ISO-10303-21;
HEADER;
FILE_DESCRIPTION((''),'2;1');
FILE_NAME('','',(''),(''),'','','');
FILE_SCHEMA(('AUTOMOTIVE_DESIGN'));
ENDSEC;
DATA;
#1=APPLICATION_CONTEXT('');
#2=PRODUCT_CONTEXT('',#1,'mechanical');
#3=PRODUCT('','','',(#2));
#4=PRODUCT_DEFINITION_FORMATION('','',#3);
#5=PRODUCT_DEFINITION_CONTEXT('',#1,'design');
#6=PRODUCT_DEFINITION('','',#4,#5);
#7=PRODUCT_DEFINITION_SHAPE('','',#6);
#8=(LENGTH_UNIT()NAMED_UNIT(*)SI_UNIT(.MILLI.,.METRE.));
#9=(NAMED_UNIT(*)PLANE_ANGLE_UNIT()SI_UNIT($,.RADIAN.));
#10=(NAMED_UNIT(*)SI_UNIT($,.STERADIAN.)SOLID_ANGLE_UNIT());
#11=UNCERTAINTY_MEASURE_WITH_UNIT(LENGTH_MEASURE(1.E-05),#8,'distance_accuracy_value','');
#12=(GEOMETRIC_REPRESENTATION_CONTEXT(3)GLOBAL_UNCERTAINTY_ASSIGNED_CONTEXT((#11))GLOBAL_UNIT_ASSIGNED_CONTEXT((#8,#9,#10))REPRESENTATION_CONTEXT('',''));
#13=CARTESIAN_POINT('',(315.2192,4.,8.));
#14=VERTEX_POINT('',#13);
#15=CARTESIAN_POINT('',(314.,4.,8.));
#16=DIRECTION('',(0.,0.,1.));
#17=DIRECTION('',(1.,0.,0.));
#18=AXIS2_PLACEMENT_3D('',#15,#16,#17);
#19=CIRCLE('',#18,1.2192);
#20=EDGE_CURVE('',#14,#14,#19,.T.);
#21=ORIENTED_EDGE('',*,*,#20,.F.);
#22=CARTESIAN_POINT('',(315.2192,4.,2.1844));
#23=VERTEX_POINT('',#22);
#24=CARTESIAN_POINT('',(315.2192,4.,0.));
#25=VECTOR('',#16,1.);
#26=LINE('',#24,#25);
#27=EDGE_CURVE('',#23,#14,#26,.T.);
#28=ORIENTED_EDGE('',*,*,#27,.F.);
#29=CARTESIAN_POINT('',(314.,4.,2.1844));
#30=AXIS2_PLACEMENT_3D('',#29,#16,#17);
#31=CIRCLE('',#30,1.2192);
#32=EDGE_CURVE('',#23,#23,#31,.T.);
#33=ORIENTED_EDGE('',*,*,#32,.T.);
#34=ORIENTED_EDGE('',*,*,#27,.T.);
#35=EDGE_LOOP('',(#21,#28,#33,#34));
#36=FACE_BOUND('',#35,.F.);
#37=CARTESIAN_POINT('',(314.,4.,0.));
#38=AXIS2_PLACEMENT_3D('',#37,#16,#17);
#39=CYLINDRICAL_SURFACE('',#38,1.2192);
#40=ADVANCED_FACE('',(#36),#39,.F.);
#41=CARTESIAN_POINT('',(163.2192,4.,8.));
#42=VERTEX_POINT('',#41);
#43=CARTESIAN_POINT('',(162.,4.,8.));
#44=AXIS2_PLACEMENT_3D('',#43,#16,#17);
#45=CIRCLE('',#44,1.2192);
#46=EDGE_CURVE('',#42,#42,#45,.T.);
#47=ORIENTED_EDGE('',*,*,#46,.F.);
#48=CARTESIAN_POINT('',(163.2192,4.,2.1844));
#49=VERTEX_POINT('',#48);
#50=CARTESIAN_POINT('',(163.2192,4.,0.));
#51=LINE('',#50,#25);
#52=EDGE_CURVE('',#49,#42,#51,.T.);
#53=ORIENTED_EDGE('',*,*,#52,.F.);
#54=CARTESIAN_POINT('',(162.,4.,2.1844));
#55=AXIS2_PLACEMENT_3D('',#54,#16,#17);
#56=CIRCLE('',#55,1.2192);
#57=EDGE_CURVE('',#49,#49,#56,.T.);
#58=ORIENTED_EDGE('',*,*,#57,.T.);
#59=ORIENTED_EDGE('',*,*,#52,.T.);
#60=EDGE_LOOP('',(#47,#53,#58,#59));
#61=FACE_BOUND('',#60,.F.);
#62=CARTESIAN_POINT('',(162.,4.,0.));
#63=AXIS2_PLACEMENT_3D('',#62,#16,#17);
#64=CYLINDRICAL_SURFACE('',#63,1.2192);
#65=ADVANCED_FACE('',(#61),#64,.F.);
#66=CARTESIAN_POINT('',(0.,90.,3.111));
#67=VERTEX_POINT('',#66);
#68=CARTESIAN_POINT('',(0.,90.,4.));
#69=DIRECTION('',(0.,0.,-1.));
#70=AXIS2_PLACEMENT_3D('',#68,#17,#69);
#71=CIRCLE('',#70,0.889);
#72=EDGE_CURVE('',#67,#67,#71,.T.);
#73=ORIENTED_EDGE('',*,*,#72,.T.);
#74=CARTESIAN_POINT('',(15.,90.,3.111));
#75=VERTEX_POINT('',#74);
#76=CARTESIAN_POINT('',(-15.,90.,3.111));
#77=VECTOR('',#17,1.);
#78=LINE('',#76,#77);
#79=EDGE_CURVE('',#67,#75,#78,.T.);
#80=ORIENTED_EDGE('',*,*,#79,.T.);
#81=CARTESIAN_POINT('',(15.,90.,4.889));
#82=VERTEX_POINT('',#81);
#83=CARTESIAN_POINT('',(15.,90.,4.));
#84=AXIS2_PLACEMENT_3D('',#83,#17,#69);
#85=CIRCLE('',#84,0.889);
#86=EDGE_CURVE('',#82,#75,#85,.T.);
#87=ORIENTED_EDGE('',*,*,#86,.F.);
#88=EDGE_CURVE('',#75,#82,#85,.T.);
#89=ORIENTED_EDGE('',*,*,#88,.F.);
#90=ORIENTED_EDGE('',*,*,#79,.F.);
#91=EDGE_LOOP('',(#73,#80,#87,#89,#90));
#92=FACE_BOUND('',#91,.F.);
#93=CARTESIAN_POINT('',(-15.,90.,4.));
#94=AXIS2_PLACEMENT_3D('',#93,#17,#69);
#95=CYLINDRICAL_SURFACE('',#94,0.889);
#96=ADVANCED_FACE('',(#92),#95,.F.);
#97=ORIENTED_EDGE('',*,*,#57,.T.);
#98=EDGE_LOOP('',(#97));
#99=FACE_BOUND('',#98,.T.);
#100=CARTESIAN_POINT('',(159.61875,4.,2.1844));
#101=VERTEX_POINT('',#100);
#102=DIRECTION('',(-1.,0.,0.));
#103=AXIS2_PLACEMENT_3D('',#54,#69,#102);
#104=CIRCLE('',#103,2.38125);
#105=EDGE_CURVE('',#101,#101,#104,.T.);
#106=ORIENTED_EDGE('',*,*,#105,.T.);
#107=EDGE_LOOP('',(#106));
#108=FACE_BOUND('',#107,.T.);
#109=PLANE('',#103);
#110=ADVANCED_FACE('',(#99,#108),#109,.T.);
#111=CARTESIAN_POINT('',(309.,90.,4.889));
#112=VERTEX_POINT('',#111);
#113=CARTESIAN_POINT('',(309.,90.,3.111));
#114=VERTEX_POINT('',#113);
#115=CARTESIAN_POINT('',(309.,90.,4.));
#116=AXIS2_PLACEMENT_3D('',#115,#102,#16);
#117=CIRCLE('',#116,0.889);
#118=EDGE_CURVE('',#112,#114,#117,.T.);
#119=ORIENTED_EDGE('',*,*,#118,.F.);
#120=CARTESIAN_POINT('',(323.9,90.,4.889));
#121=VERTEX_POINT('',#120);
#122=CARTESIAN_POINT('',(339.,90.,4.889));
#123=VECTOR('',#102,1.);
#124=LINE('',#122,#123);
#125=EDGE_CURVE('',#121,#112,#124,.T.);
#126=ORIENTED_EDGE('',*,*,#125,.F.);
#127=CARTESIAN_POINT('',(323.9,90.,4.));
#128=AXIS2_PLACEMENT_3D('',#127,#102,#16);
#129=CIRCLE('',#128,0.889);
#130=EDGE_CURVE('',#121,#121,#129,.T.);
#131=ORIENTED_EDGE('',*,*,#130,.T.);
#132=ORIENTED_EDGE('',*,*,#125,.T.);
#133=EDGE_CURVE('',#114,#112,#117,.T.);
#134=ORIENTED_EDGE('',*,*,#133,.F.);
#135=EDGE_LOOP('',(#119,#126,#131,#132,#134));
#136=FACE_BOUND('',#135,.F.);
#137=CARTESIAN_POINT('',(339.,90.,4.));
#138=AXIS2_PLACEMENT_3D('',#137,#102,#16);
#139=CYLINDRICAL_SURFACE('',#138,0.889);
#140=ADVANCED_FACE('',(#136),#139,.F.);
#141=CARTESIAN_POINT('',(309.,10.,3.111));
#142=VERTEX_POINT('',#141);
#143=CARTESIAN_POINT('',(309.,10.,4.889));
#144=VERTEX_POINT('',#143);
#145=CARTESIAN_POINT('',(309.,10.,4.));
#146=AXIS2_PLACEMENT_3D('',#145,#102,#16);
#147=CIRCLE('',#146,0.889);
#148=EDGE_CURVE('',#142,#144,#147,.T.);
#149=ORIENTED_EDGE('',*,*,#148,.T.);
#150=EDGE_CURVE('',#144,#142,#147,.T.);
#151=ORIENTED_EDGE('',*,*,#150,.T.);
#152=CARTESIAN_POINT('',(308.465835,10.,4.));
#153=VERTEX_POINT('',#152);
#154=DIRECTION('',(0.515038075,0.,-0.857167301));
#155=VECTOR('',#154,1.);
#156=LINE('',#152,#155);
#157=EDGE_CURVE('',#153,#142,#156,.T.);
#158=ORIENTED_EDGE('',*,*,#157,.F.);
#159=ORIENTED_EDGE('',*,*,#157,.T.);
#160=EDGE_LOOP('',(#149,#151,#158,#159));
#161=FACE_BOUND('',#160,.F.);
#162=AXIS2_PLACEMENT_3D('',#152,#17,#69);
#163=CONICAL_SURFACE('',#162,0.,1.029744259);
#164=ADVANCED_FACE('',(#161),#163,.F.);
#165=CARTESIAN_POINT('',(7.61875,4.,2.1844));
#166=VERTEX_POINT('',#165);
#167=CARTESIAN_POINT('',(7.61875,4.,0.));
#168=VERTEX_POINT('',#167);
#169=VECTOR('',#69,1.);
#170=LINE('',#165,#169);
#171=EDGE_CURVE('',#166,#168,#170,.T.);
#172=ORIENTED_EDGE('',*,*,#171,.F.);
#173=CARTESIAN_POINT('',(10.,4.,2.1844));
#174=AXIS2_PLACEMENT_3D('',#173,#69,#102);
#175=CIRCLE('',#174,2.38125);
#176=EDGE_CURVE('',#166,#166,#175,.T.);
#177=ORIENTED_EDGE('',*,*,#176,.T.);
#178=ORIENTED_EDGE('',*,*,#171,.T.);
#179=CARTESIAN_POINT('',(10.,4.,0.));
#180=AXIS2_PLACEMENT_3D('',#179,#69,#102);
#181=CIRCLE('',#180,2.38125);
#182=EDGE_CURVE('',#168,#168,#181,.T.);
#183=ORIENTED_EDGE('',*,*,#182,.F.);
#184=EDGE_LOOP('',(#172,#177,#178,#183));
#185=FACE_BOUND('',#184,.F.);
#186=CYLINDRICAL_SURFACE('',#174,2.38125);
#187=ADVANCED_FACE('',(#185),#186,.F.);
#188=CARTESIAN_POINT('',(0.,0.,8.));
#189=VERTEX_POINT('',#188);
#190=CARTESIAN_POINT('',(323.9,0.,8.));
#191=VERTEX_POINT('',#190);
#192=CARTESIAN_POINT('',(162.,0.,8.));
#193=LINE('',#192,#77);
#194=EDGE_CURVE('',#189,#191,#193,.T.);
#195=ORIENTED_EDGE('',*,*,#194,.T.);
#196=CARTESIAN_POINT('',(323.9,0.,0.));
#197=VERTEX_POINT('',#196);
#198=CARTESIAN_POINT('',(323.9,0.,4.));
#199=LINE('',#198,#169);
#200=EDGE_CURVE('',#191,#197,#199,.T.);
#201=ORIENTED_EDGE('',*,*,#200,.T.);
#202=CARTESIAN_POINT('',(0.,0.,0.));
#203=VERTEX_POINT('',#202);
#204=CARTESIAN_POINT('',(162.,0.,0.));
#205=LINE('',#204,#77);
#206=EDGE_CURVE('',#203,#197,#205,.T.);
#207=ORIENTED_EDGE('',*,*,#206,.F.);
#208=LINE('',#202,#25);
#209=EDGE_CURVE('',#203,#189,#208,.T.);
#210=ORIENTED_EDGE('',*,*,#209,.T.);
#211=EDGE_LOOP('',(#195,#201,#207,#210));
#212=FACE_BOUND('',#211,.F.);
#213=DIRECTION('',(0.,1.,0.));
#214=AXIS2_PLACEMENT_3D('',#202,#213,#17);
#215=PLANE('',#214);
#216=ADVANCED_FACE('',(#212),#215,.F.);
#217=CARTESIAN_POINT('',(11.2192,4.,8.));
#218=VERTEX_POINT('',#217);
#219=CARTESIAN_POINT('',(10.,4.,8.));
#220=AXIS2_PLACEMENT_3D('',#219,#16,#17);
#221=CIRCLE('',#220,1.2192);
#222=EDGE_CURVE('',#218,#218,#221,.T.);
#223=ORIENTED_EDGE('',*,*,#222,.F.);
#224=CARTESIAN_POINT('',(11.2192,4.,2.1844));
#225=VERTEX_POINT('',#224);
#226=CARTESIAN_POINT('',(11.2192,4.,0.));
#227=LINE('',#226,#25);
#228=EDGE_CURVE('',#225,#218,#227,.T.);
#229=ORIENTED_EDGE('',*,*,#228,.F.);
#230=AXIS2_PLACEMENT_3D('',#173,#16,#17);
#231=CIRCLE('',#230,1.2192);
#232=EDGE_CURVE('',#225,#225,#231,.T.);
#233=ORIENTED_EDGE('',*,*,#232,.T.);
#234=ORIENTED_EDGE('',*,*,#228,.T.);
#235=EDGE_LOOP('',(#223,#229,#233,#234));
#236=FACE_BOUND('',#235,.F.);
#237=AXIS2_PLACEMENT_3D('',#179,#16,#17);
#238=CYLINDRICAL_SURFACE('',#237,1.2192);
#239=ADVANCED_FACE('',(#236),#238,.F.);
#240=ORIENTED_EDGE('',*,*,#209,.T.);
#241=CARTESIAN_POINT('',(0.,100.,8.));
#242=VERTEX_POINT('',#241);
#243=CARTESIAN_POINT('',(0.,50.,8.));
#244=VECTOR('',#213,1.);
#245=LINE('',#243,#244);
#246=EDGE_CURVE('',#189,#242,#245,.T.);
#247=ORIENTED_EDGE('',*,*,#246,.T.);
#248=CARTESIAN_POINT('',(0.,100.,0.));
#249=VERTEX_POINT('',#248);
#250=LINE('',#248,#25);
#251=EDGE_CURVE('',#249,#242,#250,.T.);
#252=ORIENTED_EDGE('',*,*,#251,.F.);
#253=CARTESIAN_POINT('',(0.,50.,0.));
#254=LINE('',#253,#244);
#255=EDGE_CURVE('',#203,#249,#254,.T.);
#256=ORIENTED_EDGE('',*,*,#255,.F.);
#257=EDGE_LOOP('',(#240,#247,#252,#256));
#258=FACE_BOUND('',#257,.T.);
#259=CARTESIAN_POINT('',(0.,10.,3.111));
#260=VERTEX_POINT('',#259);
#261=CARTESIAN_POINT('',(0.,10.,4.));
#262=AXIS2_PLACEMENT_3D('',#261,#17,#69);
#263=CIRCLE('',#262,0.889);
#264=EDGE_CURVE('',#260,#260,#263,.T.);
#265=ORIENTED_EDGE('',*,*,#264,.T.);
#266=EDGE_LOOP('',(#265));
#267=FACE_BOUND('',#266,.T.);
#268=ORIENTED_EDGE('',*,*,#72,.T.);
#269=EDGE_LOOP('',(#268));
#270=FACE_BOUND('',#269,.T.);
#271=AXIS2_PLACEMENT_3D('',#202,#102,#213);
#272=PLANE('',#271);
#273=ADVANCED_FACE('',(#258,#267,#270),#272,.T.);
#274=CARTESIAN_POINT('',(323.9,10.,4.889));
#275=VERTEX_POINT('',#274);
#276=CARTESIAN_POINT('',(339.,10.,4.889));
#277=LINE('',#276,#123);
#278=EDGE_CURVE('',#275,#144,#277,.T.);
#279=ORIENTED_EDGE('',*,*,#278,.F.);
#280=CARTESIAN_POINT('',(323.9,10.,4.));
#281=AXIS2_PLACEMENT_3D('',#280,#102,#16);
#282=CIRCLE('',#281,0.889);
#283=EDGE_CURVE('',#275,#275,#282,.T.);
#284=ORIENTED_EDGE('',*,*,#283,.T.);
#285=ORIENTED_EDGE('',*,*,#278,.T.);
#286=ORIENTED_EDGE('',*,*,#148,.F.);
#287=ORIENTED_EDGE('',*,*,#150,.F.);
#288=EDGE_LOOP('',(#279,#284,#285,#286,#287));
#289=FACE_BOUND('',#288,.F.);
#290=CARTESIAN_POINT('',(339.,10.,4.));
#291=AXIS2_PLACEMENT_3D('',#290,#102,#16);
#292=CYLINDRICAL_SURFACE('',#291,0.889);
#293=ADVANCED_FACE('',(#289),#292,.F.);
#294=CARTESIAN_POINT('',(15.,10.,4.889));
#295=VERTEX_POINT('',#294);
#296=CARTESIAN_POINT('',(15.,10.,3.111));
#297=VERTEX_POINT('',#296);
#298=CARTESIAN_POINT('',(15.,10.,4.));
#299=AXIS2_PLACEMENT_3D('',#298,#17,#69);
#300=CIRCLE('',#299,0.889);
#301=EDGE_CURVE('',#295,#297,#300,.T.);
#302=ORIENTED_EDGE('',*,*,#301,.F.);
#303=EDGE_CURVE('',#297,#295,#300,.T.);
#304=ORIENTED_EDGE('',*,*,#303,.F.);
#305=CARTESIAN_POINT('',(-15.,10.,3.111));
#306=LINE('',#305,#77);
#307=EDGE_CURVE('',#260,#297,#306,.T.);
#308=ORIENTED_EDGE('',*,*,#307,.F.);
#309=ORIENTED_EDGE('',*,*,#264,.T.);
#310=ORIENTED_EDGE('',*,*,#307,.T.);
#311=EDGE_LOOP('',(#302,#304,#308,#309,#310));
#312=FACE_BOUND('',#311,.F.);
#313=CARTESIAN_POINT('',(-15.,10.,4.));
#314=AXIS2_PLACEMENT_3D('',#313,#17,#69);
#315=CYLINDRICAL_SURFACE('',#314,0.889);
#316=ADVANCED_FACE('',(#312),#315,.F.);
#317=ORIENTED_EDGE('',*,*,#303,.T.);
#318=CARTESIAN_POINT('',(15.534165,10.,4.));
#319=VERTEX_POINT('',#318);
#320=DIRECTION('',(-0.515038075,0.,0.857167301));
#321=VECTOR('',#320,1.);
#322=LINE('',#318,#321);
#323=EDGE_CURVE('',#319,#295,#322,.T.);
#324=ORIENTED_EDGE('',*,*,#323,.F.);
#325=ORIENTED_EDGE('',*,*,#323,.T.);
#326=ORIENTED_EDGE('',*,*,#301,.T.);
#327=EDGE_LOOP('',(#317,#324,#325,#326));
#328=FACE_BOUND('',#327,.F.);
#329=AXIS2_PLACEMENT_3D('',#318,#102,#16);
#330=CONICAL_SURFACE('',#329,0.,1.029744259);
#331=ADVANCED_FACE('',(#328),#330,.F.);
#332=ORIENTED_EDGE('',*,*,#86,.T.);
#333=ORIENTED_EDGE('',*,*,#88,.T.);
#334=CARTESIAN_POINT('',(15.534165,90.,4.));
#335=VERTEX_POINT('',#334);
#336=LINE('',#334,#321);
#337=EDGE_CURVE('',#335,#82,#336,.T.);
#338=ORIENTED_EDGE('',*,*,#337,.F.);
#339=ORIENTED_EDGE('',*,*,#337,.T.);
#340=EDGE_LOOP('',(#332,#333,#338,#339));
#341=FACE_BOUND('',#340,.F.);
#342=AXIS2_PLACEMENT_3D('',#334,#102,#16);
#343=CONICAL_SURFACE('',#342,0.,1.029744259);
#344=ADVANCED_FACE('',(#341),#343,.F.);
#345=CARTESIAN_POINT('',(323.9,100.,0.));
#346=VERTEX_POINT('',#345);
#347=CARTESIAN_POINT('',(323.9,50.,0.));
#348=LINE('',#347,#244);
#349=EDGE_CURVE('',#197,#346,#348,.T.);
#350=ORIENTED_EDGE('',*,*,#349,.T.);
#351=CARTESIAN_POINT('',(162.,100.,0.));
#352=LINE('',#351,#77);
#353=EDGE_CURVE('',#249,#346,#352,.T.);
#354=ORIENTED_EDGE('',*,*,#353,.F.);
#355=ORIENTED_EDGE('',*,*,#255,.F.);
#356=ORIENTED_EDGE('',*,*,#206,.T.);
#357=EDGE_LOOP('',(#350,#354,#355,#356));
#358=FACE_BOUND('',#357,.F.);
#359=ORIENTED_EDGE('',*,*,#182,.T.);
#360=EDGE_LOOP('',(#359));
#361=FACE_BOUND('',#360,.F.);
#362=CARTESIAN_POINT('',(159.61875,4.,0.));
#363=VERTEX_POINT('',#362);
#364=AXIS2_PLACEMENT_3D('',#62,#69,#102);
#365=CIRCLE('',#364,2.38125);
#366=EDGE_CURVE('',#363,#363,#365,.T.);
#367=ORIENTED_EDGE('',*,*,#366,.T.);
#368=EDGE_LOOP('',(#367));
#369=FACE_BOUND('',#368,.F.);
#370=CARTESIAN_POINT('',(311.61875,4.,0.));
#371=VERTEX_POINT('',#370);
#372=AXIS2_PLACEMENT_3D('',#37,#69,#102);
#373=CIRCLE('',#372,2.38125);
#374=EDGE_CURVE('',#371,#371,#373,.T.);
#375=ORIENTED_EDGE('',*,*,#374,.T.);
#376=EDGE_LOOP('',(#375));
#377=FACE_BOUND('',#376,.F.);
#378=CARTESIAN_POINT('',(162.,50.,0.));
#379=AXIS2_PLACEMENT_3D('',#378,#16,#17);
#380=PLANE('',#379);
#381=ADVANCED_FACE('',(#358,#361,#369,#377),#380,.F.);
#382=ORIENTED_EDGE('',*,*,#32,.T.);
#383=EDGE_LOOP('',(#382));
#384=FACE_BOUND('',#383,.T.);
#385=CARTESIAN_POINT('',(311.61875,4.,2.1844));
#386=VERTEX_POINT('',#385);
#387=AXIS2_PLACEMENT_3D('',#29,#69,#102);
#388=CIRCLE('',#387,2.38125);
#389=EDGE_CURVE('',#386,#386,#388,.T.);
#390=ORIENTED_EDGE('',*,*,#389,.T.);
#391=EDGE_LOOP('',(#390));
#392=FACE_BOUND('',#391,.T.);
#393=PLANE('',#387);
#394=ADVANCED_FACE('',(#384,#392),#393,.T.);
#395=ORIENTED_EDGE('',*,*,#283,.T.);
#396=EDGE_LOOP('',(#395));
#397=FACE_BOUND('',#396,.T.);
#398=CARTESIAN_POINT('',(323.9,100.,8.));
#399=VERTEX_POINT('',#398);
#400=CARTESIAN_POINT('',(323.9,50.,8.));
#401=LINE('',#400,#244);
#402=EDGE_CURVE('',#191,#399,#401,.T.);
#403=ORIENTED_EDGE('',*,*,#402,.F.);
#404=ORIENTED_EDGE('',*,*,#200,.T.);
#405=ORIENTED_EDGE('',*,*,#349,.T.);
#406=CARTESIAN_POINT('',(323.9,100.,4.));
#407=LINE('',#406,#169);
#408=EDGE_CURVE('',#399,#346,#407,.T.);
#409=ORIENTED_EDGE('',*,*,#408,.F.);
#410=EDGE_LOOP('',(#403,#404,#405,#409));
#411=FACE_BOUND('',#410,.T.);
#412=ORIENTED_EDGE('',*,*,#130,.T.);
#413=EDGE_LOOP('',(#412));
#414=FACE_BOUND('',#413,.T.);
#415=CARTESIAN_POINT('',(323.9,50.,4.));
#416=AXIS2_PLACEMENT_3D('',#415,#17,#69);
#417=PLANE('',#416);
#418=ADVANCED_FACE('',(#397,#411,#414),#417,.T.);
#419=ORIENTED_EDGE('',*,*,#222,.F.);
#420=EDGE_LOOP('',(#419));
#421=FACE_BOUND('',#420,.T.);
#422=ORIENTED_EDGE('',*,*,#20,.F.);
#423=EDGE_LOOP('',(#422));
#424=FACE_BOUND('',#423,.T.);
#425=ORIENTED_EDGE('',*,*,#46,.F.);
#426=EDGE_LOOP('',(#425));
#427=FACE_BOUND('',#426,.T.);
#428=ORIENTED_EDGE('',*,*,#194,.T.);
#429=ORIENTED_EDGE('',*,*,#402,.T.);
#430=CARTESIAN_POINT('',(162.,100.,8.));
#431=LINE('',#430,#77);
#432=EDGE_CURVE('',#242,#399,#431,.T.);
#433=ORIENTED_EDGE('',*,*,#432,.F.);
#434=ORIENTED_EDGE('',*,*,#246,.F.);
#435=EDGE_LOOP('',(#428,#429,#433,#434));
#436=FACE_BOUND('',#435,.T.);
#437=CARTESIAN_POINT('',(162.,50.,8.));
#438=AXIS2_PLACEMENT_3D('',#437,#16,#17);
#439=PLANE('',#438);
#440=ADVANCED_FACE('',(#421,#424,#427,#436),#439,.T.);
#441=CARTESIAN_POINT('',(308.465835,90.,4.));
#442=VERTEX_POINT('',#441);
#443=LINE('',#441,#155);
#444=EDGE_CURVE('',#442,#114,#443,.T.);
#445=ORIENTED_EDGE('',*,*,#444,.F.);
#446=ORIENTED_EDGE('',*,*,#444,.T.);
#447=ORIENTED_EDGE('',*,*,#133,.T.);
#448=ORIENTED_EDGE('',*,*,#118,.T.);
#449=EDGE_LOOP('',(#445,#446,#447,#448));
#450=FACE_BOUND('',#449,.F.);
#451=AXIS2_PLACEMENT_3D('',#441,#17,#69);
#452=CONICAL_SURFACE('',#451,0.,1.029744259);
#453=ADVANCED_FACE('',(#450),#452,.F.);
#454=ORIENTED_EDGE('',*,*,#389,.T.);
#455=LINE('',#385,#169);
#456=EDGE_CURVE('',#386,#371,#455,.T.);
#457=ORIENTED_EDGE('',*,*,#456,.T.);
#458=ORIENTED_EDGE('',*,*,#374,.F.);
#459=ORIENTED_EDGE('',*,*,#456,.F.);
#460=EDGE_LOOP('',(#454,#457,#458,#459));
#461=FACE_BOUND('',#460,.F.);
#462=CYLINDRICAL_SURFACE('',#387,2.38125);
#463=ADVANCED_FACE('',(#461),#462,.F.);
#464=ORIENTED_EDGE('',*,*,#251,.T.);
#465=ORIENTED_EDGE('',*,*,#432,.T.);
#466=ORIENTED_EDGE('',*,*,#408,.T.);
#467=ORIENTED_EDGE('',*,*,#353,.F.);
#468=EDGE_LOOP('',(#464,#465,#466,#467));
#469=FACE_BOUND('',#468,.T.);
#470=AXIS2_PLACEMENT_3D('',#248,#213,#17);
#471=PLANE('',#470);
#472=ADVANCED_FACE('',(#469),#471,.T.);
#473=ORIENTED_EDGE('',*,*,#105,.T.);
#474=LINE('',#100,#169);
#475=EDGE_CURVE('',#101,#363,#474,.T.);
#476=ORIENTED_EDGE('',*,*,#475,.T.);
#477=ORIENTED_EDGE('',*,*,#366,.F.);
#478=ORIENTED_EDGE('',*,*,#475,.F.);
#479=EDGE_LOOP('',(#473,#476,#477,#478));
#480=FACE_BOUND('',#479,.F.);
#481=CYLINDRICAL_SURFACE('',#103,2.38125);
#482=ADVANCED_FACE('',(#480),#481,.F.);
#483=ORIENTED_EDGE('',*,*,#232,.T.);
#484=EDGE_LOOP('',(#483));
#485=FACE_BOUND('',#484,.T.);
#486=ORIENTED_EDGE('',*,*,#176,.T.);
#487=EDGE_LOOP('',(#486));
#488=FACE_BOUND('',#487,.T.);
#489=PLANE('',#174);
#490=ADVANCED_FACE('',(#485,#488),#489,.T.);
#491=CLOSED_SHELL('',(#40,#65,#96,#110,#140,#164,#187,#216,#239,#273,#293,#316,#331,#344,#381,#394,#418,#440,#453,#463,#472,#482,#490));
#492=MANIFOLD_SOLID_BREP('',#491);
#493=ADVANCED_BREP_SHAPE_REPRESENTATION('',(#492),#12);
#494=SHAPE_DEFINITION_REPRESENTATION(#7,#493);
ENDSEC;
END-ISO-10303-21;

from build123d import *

# Parameters (mm, degrees)
SKETCH1_W                                      = 324
SKETCH1_H                                      = 100
BOSS_EXTRUDE1_DEPTH                            = 8
CBORE_FOR_2_SOCKET_HEAD_CAP_SCREW1_D           = 2.4384
CBORE_FOR_2_SOCKET_HEAD_CAP_SCREW1_CBORE_D     = 4.7625
CBORE_FOR_2_SOCKET_HEAD_CAP_SCREW1_CBORE_DEPTH = 2.1844
F_2_56_TAPPED_HOLE1_D                          = 1.778
F_2_56_TAPPED_HOLE1_DEPTH                      = 15
F_2_56_TAPPED_HOLE1_TIP                        = 0.53416509
F_2_56_TAPPED_HOLE2_D                          = 1.778
F_2_56_TAPPED_HOLE2_DEPTH                      = 15
F_2_56_TAPPED_HOLE2_TIP                        = 0.53416509
SKETCH10_W                                     = 8
SKETCH10_H                                     = 100
CUT_EXTRUDE1_DEPTH                             = 0.1


with BuildPart() as part:
    # Sketch1 → Boss-Extrude1 (new body)
    with BuildSketch(Plane.XY):
        with Locations((162, 50)):
            Rectangle(SKETCH1_W, SKETCH1_H)
    extrude(amount=BOSS_EXTRUDE1_DEPTH)

    # CBORE for #2 Socket Head Cap Screw1 (through all)
    with Locations(Plane(origin=(0, 0, 0), x_dir=(-1, 0, 0), z_dir=(0, 0, -1))):
        with Locations((-314, 4), (-10, 4), (-162, 4)):
            CounterBoreHole(CBORE_FOR_2_SOCKET_HEAD_CAP_SCREW1_D / 2, CBORE_FOR_2_SOCKET_HEAD_CAP_SCREW1_CBORE_D / 2, CBORE_FOR_2_SOCKET_HEAD_CAP_SCREW1_CBORE_DEPTH)

    # #2-56 Tapped Hole1
    with Locations(Plane(origin=(324, 0, 0), x_dir=(0, 0, -1), z_dir=(1, 0, 0))):
        with Locations((-4, 90), (-4, 10)):
            Hole(F_2_56_TAPPED_HOLE1_D / 2, depth=F_2_56_TAPPED_HOLE1_DEPTH)
            with Locations((0, 0, -(F_2_56_TAPPED_HOLE1_DEPTH + F_2_56_TAPPED_HOLE1_TIP / 2))):  # 118° drill point
                Cone(0, F_2_56_TAPPED_HOLE1_D / 2, F_2_56_TAPPED_HOLE1_TIP, mode=Mode.SUBTRACT)

    # #2-56 Tapped Hole2
    with Locations(Plane.ZY):
        with Locations((4, 90), (4, 10)):
            Hole(F_2_56_TAPPED_HOLE2_D / 2, depth=F_2_56_TAPPED_HOLE2_DEPTH)
            with Locations((0, 0, -(F_2_56_TAPPED_HOLE2_DEPTH + F_2_56_TAPPED_HOLE2_TIP / 2))):  # 118° drill point
                Cone(0, F_2_56_TAPPED_HOLE2_D / 2, F_2_56_TAPPED_HOLE2_TIP, mode=Mode.SUBTRACT)

    # Sketch10 → Cut-Extrude1 (cut)
    with BuildSketch(Plane(origin=(324, 0, 0), x_dir=(0, 0, -1), z_dir=(1, 0, 0))):
        with Locations((-4, 50)):
            Rectangle(SKETCH10_W, SKETCH10_H)
    extrude(amount=-CUT_EXTRUDE1_DEPTH, mode=Mode.SUBTRACT)


solid = part.part
